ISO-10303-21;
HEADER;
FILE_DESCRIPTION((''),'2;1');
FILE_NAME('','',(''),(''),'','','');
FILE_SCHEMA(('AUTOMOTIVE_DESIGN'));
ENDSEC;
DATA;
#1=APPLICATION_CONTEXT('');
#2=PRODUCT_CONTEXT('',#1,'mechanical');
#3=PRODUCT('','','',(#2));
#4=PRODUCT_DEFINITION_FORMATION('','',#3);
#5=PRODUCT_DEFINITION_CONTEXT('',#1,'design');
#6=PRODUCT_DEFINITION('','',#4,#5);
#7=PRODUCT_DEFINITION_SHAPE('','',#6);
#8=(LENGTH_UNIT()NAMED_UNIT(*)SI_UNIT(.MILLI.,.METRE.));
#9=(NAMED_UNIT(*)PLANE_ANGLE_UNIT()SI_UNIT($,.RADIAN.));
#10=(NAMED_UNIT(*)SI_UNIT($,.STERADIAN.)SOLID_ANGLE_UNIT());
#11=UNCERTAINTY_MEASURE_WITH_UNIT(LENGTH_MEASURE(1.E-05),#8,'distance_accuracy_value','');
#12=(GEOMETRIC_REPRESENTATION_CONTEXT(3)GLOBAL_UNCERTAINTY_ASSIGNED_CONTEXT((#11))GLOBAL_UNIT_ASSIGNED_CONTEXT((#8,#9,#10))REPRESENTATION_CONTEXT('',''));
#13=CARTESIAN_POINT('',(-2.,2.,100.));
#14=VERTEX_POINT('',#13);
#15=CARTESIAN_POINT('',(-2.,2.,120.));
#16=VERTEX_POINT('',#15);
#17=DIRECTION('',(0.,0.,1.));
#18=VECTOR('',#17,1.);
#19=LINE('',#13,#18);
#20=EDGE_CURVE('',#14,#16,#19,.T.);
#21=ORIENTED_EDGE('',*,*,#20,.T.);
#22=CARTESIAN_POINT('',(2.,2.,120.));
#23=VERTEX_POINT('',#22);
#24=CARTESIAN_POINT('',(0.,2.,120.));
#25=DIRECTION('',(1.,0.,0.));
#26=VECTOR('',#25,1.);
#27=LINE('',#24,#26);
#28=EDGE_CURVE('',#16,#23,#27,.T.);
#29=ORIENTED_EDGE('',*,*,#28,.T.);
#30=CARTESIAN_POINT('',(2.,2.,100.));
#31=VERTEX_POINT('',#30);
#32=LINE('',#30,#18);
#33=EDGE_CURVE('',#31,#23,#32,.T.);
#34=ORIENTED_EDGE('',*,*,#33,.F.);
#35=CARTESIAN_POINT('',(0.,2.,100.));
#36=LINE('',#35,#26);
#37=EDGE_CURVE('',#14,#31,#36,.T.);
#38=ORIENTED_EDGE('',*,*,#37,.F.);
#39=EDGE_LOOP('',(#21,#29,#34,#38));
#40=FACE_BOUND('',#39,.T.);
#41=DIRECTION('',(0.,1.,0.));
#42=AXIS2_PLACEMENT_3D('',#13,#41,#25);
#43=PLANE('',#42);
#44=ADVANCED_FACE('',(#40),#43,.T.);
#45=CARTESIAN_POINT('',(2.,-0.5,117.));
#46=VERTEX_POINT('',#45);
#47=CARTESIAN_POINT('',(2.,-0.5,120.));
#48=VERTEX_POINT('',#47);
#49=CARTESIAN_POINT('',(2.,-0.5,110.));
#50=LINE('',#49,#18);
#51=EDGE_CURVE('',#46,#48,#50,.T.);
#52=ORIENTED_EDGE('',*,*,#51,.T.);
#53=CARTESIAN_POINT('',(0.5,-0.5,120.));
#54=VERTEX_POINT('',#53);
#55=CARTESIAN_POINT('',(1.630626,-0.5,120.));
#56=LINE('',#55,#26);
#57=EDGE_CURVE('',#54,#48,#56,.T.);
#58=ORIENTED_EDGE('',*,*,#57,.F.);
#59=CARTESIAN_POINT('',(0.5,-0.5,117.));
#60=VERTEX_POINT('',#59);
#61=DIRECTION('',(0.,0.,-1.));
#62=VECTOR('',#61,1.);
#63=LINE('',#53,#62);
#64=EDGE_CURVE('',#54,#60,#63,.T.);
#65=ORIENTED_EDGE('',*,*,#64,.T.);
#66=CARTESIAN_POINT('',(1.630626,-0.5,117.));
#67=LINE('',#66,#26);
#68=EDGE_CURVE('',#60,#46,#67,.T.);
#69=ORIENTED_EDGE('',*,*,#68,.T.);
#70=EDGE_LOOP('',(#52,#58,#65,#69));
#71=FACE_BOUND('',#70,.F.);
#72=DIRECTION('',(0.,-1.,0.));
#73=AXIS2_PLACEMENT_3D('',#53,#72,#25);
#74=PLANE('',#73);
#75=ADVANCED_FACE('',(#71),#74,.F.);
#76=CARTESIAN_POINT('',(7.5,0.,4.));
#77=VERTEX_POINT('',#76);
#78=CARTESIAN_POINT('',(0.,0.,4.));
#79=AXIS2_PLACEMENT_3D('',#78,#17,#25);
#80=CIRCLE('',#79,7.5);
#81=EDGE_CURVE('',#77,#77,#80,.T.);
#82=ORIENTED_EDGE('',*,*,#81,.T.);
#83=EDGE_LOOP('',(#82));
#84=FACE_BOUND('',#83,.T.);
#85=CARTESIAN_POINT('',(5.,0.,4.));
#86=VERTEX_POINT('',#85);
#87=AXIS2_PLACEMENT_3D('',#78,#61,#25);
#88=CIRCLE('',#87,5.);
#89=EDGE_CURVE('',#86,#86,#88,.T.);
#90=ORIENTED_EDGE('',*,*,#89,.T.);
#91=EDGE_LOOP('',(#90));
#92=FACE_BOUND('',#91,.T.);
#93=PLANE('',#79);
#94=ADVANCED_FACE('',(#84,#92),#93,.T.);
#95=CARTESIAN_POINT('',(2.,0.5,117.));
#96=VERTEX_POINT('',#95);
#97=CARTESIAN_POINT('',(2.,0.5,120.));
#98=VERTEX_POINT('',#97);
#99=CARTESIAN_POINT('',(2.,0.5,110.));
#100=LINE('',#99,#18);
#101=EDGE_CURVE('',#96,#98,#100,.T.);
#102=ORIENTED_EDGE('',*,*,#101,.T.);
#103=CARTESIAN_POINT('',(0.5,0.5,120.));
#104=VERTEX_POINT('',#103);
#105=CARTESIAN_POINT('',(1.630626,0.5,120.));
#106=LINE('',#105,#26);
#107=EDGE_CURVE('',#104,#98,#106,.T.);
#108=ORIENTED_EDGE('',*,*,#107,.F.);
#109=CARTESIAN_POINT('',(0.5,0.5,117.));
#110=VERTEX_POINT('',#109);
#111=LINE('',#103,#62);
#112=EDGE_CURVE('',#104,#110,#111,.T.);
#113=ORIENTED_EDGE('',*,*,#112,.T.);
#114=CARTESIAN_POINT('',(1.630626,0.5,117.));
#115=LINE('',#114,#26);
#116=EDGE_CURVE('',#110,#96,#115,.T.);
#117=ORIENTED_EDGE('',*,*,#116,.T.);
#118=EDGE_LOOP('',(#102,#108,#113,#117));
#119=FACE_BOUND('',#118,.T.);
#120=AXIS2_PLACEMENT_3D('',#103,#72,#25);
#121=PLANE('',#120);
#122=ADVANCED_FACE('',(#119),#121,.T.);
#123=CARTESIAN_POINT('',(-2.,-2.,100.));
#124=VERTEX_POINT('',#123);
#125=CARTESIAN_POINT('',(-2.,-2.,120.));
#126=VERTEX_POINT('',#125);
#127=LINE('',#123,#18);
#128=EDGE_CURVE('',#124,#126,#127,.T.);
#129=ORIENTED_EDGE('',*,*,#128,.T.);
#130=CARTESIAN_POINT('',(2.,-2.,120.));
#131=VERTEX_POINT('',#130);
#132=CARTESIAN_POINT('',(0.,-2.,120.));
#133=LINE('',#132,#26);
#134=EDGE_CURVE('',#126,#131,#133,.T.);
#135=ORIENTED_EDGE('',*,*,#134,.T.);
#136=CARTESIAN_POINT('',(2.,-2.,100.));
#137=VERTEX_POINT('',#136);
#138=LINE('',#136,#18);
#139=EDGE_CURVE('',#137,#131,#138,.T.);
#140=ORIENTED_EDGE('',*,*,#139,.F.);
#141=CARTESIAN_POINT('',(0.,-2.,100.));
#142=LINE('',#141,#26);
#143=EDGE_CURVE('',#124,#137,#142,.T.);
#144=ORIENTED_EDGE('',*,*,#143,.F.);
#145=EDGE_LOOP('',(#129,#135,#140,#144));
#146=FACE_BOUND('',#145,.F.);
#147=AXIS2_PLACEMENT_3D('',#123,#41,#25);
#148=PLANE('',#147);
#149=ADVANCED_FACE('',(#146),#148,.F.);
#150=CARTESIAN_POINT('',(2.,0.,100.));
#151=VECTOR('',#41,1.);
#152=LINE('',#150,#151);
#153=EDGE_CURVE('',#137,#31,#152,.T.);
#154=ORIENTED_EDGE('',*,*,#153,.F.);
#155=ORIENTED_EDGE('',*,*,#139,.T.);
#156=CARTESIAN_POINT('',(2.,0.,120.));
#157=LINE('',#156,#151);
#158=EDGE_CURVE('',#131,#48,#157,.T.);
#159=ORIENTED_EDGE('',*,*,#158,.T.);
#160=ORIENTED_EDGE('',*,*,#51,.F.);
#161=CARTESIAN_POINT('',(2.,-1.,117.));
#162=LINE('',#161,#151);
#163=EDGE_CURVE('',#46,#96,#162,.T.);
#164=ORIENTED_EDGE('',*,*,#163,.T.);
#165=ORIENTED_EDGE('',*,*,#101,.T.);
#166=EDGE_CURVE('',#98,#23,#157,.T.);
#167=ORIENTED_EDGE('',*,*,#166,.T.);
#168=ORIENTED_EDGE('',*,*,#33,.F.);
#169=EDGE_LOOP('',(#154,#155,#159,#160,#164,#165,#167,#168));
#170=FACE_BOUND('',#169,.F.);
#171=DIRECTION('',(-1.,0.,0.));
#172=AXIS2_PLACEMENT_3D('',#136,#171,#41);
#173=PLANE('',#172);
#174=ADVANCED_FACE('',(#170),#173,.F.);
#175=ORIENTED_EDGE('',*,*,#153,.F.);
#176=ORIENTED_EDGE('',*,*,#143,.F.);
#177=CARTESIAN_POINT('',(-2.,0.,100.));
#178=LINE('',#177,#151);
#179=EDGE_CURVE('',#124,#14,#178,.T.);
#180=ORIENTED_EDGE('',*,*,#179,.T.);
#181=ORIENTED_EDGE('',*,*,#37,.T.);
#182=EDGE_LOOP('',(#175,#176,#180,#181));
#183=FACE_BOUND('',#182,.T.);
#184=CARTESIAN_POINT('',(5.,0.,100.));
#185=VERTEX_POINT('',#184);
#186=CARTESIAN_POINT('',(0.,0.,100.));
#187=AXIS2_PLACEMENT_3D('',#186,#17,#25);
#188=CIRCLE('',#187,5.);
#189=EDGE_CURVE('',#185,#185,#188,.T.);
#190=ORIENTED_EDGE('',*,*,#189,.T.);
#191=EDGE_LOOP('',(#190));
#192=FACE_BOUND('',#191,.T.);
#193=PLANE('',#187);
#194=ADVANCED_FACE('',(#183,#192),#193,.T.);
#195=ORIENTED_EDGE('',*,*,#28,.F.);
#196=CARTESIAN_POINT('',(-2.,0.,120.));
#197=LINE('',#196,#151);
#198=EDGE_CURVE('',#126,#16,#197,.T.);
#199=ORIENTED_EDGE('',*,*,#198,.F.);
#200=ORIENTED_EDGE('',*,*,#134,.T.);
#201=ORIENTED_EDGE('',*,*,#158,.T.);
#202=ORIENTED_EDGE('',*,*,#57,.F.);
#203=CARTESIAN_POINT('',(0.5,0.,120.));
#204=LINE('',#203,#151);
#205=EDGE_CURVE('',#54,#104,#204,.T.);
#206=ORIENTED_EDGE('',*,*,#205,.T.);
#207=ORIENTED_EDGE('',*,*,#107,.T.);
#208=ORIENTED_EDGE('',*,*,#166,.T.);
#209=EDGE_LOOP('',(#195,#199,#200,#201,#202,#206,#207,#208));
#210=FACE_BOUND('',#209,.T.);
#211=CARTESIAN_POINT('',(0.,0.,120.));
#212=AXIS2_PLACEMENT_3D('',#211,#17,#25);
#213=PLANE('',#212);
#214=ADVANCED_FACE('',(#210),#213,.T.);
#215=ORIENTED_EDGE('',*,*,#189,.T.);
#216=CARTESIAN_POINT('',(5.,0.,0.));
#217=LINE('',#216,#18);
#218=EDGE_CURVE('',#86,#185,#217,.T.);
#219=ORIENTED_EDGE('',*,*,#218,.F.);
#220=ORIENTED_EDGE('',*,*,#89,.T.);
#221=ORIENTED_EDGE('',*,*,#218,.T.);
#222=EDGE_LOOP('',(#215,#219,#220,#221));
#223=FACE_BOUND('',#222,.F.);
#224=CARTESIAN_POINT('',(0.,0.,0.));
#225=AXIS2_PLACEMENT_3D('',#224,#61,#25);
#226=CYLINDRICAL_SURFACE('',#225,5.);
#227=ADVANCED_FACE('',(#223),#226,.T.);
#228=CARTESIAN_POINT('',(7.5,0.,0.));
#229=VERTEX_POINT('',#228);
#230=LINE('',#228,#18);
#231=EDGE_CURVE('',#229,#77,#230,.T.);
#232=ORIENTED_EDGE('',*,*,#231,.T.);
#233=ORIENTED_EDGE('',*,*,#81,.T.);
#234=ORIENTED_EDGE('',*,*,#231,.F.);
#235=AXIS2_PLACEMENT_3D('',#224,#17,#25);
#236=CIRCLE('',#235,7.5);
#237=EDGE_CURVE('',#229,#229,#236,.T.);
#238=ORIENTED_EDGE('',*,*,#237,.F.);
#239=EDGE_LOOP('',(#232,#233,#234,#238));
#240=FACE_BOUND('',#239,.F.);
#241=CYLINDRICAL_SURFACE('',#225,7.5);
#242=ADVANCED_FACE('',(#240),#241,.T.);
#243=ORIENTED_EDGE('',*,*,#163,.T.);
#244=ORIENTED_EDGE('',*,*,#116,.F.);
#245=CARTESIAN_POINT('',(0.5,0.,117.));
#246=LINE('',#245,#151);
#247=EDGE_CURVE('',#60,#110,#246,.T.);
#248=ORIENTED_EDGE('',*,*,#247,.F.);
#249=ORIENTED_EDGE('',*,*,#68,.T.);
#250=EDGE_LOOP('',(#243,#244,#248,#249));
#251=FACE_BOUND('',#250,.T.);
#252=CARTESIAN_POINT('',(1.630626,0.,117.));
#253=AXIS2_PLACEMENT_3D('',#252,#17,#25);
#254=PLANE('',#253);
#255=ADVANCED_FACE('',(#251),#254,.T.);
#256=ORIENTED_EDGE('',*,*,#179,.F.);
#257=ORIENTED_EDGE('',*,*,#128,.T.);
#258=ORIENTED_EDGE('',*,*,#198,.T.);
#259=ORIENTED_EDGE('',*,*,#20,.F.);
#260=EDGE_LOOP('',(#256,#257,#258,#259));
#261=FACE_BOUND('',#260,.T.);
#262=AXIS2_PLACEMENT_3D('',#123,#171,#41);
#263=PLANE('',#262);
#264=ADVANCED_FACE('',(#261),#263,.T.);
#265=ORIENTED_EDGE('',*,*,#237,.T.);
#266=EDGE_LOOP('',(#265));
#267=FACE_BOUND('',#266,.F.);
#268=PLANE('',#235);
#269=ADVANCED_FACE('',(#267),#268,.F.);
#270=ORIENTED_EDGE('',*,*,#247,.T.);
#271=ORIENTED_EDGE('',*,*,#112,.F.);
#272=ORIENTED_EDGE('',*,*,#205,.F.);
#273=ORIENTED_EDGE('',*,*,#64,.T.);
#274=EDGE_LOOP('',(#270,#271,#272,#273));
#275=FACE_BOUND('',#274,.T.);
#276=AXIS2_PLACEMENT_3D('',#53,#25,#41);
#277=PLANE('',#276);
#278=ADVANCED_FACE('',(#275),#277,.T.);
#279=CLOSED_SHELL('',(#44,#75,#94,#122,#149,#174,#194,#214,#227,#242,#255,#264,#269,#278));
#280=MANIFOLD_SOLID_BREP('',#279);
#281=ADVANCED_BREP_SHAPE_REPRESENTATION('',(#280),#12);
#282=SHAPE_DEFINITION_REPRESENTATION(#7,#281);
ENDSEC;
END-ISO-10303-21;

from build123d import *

# Parameters (mm, degrees)
F0_R     = 7.5
F1_DEPTH = 4
F2_R     = 5
F3_DEPTH = 100
F4_W     = 4
F4_H     = 4
F5_DEPTH = 20
F6_W     = 2.261252
F6_H     = 1
F7_DEPTH = 3


with BuildPart() as f1:
    # F0 (on Top) → F1 (new body)
    with BuildSketch(Plane.XY):
        Circle(F0_R)
    extrude(amount=F1_DEPTH)

    # F2 (on Top) → F3 (join)
    with BuildSketch(Plane.XY):
        Circle(F2_R)
    extrude(amount=F3_DEPTH)

    # F4 (on face) → F5 (join)
    with BuildSketch(Plane.XY.offset(100)):
        Rectangle(F4_W, F4_H)
    extrude(amount=F5_DEPTH)

    # F6 (on face) → F7 (cut)
    with BuildSketch(Plane.XY.offset(120)):
        with Locations((1.630626, 0)):
            Rectangle(F6_W, F6_H)
    extrude(amount=-F7_DEPTH, mode=Mode.SUBTRACT)


solid = f1.part
